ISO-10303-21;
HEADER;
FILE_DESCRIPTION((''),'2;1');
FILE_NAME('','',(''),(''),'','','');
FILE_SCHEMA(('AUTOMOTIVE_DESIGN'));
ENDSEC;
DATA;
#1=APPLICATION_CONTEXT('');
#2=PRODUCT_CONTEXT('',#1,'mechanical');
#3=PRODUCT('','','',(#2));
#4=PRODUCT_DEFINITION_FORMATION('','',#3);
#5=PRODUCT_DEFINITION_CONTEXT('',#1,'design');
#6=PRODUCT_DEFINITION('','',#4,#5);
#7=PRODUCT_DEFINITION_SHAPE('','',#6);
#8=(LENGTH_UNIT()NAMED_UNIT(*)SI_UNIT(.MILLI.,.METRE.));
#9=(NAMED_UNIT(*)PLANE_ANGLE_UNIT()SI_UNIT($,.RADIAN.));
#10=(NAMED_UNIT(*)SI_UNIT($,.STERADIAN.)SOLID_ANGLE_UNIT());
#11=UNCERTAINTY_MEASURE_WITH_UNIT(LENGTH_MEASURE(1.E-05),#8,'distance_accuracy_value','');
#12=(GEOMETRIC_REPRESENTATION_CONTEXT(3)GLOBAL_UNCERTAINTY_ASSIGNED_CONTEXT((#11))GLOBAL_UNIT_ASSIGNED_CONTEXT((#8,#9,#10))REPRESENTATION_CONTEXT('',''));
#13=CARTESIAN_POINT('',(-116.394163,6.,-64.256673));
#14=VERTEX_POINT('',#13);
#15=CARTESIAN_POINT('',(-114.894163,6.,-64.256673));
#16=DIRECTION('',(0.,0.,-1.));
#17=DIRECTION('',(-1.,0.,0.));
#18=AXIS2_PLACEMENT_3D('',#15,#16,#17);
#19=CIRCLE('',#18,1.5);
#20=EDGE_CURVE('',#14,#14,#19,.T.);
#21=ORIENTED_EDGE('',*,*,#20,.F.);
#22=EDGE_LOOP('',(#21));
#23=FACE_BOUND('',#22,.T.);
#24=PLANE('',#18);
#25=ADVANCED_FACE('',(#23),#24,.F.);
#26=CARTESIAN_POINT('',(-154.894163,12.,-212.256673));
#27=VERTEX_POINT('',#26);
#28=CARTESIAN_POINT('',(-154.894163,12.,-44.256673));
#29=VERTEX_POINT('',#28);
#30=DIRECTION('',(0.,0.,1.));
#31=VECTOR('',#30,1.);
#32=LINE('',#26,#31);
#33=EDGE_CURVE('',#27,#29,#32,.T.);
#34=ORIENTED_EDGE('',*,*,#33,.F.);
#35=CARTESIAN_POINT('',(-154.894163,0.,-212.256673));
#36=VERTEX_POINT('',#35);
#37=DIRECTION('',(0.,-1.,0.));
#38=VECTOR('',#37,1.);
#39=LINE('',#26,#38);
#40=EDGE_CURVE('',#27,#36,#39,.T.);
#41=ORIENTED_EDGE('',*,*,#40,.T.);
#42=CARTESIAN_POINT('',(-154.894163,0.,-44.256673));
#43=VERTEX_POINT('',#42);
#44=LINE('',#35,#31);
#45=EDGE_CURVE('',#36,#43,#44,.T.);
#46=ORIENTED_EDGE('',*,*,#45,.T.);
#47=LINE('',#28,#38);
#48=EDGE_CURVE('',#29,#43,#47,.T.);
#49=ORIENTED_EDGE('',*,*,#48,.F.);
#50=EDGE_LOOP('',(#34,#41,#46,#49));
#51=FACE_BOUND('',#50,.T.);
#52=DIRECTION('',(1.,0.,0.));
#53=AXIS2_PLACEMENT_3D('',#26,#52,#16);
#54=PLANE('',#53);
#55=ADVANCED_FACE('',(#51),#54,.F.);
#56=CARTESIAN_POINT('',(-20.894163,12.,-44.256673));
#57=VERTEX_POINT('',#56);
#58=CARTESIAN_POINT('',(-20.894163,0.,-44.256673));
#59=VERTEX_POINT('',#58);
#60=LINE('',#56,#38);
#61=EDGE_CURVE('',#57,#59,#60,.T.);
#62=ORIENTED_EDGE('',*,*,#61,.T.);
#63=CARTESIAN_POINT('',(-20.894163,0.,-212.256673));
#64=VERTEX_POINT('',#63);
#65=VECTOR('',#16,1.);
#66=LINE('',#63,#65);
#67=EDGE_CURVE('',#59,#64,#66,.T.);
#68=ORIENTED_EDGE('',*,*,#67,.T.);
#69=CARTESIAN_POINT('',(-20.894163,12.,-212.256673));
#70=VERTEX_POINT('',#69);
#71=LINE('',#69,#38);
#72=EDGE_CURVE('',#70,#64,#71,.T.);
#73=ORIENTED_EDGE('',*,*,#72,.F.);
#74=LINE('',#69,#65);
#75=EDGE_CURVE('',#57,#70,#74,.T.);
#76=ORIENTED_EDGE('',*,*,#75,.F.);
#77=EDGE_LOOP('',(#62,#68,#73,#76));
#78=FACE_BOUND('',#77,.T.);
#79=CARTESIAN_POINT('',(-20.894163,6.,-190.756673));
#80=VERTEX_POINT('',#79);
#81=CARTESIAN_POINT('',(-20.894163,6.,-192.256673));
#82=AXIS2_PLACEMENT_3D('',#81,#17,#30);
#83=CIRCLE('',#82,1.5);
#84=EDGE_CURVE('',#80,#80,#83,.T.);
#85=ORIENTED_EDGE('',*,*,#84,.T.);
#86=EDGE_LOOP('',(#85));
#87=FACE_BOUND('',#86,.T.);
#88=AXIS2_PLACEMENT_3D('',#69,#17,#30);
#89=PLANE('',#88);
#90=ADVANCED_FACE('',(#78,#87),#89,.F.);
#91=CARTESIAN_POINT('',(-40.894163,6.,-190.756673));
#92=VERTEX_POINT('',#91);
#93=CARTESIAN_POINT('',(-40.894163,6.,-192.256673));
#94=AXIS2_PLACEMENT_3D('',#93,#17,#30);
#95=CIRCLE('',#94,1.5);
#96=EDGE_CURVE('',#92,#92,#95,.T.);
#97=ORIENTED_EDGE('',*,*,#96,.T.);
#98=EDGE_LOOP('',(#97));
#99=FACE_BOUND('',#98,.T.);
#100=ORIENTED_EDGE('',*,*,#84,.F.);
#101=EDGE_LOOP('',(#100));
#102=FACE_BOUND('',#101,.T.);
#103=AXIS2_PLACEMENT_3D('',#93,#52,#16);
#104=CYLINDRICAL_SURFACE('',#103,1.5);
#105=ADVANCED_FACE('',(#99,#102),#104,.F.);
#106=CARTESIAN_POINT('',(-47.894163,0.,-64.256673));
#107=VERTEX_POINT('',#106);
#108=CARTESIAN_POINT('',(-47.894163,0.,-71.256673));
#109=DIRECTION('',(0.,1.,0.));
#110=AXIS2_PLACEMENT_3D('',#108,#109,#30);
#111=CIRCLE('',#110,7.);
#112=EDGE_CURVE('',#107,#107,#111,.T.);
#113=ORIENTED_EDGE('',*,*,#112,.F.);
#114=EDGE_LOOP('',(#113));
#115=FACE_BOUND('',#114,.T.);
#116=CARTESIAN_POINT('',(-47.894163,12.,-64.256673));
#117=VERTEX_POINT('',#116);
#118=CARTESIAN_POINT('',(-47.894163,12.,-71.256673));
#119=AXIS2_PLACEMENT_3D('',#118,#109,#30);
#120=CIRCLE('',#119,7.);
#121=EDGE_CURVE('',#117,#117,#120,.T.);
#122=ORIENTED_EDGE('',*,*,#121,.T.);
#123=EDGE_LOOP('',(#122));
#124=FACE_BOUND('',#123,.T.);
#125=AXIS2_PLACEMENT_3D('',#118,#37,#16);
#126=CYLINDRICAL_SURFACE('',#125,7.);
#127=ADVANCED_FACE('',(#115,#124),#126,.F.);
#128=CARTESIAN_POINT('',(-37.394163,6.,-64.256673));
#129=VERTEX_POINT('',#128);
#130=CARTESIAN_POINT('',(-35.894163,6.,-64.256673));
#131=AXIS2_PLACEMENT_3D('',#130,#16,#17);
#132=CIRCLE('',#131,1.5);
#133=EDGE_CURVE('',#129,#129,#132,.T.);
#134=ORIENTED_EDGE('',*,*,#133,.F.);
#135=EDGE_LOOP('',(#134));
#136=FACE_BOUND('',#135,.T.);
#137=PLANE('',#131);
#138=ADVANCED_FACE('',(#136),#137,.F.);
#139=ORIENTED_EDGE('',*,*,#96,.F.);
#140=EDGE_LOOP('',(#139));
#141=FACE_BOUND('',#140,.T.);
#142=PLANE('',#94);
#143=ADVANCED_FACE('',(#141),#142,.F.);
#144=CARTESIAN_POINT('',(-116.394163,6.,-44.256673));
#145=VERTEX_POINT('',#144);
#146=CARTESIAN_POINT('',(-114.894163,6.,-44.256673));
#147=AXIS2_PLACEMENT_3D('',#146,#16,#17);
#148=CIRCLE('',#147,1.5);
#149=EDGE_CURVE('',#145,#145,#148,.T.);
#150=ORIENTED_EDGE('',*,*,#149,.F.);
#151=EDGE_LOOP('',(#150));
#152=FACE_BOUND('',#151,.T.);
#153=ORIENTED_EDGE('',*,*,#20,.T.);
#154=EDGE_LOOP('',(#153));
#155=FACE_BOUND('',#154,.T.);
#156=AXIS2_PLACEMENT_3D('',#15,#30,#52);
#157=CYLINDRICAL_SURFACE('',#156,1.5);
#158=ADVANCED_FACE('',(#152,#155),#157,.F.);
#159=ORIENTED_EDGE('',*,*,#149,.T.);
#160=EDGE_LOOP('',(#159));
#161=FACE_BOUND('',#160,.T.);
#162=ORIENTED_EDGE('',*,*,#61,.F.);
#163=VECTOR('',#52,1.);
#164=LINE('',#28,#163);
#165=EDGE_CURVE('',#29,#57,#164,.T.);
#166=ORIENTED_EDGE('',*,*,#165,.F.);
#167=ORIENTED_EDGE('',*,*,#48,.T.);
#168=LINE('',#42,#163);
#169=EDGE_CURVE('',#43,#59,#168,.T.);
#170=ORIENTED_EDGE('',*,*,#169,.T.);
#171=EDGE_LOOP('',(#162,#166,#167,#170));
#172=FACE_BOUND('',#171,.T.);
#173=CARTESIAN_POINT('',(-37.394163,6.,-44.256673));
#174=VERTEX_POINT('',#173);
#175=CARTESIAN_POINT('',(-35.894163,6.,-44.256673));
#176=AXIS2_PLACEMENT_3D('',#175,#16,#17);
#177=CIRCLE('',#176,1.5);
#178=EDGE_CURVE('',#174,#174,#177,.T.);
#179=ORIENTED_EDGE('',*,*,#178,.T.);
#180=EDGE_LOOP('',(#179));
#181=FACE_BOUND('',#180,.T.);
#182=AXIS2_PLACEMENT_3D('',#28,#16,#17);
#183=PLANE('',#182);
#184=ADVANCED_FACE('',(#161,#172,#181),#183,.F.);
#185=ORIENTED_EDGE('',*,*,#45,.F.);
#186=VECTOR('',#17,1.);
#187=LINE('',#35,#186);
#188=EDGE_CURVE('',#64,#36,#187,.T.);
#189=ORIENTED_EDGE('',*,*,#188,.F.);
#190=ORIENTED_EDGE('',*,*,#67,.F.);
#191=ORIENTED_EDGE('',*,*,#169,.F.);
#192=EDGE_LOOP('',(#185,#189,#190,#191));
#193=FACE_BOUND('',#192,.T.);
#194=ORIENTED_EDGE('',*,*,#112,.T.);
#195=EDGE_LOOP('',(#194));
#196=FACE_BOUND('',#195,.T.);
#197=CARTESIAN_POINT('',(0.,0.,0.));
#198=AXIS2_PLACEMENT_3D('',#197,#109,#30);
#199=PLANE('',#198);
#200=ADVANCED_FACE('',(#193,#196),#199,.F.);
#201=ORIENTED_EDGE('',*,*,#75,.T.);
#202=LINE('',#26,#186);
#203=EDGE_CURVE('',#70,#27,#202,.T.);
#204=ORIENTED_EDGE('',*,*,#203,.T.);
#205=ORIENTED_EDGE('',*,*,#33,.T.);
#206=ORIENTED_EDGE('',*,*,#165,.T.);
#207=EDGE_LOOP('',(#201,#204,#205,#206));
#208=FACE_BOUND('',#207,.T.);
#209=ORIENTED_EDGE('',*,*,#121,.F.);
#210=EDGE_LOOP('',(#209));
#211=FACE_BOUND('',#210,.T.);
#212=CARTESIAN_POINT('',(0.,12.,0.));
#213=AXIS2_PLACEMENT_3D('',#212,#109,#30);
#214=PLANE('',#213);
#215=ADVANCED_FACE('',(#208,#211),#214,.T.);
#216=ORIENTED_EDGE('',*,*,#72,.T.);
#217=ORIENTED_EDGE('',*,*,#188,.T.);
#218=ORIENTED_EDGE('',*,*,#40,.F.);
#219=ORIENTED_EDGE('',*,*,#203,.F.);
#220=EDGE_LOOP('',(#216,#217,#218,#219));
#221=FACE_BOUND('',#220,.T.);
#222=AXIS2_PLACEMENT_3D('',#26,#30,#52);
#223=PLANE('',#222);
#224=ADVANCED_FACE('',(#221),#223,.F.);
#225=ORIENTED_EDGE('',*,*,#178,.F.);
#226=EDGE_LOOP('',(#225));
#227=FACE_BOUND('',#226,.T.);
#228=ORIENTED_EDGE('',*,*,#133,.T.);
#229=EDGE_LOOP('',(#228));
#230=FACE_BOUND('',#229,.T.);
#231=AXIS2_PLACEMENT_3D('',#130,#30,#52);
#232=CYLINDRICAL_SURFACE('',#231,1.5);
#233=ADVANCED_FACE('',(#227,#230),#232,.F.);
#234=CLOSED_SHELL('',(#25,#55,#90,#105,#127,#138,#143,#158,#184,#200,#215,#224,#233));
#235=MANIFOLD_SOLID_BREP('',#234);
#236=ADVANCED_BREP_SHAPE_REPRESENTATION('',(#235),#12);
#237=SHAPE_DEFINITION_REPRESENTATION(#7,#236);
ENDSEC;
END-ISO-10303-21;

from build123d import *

# Parameters (mm, degrees)
SKETCH1_W           = 134
SKETCH1_H           = 168
SKETCH1_R           = 7
BOSS_EXTRUDE1_DEPTH = 12
CUT_EXTRUDE1_START  = -44.256673
SKETCH2_R           = 1.5
CUT_EXTRUDE1_DEPTH  = 20
CUT_EXTRUDE2_START  = -20.894163
SKETCH3_R           = 1.5
CUT_EXTRUDE2_DEPTH  = 20


with BuildPart() as part:
    # Sketch1 → Boss-Extrude1 (new body)
    with BuildSketch(Plane(origin=(0, 0, 0), x_dir=(1, 0, 0), z_dir=(0, 1, 0))):
        with Locations((-87.894163325, 128.256672781)):
            Rectangle(SKETCH1_W, SKETCH1_H)
        with Locations((-47.894163325, 71.256672781)):
            Circle(SKETCH1_R, mode=Mode.SUBTRACT)
    extrude(amount=BOSS_EXTRUDE1_DEPTH)

    # Sketch2 → Cut-Extrude1 (cut)
    with BuildSketch(Plane.XY.offset(CUT_EXTRUDE1_START)):
        with Locations((-114.894163325, 6)):
            Circle(SKETCH2_R)
        with Locations((-35.894163325, 6)):
            Circle(SKETCH2_R)
    extrude(amount=-CUT_EXTRUDE1_DEPTH, mode=Mode.SUBTRACT)

    # Sketch3 → Cut-Extrude2 (cut)
    with BuildSketch(Plane(origin=(0, 0, 0), x_dir=(0, 0, -1), z_dir=(1, 0, 0)).offset(CUT_EXTRUDE2_START)):
        with Locations((192.256672781, 6)):
            Circle(SKETCH3_R)
    extrude(amount=-CUT_EXTRUDE2_DEPTH, mode=Mode.SUBTRACT)


solid = part.part
